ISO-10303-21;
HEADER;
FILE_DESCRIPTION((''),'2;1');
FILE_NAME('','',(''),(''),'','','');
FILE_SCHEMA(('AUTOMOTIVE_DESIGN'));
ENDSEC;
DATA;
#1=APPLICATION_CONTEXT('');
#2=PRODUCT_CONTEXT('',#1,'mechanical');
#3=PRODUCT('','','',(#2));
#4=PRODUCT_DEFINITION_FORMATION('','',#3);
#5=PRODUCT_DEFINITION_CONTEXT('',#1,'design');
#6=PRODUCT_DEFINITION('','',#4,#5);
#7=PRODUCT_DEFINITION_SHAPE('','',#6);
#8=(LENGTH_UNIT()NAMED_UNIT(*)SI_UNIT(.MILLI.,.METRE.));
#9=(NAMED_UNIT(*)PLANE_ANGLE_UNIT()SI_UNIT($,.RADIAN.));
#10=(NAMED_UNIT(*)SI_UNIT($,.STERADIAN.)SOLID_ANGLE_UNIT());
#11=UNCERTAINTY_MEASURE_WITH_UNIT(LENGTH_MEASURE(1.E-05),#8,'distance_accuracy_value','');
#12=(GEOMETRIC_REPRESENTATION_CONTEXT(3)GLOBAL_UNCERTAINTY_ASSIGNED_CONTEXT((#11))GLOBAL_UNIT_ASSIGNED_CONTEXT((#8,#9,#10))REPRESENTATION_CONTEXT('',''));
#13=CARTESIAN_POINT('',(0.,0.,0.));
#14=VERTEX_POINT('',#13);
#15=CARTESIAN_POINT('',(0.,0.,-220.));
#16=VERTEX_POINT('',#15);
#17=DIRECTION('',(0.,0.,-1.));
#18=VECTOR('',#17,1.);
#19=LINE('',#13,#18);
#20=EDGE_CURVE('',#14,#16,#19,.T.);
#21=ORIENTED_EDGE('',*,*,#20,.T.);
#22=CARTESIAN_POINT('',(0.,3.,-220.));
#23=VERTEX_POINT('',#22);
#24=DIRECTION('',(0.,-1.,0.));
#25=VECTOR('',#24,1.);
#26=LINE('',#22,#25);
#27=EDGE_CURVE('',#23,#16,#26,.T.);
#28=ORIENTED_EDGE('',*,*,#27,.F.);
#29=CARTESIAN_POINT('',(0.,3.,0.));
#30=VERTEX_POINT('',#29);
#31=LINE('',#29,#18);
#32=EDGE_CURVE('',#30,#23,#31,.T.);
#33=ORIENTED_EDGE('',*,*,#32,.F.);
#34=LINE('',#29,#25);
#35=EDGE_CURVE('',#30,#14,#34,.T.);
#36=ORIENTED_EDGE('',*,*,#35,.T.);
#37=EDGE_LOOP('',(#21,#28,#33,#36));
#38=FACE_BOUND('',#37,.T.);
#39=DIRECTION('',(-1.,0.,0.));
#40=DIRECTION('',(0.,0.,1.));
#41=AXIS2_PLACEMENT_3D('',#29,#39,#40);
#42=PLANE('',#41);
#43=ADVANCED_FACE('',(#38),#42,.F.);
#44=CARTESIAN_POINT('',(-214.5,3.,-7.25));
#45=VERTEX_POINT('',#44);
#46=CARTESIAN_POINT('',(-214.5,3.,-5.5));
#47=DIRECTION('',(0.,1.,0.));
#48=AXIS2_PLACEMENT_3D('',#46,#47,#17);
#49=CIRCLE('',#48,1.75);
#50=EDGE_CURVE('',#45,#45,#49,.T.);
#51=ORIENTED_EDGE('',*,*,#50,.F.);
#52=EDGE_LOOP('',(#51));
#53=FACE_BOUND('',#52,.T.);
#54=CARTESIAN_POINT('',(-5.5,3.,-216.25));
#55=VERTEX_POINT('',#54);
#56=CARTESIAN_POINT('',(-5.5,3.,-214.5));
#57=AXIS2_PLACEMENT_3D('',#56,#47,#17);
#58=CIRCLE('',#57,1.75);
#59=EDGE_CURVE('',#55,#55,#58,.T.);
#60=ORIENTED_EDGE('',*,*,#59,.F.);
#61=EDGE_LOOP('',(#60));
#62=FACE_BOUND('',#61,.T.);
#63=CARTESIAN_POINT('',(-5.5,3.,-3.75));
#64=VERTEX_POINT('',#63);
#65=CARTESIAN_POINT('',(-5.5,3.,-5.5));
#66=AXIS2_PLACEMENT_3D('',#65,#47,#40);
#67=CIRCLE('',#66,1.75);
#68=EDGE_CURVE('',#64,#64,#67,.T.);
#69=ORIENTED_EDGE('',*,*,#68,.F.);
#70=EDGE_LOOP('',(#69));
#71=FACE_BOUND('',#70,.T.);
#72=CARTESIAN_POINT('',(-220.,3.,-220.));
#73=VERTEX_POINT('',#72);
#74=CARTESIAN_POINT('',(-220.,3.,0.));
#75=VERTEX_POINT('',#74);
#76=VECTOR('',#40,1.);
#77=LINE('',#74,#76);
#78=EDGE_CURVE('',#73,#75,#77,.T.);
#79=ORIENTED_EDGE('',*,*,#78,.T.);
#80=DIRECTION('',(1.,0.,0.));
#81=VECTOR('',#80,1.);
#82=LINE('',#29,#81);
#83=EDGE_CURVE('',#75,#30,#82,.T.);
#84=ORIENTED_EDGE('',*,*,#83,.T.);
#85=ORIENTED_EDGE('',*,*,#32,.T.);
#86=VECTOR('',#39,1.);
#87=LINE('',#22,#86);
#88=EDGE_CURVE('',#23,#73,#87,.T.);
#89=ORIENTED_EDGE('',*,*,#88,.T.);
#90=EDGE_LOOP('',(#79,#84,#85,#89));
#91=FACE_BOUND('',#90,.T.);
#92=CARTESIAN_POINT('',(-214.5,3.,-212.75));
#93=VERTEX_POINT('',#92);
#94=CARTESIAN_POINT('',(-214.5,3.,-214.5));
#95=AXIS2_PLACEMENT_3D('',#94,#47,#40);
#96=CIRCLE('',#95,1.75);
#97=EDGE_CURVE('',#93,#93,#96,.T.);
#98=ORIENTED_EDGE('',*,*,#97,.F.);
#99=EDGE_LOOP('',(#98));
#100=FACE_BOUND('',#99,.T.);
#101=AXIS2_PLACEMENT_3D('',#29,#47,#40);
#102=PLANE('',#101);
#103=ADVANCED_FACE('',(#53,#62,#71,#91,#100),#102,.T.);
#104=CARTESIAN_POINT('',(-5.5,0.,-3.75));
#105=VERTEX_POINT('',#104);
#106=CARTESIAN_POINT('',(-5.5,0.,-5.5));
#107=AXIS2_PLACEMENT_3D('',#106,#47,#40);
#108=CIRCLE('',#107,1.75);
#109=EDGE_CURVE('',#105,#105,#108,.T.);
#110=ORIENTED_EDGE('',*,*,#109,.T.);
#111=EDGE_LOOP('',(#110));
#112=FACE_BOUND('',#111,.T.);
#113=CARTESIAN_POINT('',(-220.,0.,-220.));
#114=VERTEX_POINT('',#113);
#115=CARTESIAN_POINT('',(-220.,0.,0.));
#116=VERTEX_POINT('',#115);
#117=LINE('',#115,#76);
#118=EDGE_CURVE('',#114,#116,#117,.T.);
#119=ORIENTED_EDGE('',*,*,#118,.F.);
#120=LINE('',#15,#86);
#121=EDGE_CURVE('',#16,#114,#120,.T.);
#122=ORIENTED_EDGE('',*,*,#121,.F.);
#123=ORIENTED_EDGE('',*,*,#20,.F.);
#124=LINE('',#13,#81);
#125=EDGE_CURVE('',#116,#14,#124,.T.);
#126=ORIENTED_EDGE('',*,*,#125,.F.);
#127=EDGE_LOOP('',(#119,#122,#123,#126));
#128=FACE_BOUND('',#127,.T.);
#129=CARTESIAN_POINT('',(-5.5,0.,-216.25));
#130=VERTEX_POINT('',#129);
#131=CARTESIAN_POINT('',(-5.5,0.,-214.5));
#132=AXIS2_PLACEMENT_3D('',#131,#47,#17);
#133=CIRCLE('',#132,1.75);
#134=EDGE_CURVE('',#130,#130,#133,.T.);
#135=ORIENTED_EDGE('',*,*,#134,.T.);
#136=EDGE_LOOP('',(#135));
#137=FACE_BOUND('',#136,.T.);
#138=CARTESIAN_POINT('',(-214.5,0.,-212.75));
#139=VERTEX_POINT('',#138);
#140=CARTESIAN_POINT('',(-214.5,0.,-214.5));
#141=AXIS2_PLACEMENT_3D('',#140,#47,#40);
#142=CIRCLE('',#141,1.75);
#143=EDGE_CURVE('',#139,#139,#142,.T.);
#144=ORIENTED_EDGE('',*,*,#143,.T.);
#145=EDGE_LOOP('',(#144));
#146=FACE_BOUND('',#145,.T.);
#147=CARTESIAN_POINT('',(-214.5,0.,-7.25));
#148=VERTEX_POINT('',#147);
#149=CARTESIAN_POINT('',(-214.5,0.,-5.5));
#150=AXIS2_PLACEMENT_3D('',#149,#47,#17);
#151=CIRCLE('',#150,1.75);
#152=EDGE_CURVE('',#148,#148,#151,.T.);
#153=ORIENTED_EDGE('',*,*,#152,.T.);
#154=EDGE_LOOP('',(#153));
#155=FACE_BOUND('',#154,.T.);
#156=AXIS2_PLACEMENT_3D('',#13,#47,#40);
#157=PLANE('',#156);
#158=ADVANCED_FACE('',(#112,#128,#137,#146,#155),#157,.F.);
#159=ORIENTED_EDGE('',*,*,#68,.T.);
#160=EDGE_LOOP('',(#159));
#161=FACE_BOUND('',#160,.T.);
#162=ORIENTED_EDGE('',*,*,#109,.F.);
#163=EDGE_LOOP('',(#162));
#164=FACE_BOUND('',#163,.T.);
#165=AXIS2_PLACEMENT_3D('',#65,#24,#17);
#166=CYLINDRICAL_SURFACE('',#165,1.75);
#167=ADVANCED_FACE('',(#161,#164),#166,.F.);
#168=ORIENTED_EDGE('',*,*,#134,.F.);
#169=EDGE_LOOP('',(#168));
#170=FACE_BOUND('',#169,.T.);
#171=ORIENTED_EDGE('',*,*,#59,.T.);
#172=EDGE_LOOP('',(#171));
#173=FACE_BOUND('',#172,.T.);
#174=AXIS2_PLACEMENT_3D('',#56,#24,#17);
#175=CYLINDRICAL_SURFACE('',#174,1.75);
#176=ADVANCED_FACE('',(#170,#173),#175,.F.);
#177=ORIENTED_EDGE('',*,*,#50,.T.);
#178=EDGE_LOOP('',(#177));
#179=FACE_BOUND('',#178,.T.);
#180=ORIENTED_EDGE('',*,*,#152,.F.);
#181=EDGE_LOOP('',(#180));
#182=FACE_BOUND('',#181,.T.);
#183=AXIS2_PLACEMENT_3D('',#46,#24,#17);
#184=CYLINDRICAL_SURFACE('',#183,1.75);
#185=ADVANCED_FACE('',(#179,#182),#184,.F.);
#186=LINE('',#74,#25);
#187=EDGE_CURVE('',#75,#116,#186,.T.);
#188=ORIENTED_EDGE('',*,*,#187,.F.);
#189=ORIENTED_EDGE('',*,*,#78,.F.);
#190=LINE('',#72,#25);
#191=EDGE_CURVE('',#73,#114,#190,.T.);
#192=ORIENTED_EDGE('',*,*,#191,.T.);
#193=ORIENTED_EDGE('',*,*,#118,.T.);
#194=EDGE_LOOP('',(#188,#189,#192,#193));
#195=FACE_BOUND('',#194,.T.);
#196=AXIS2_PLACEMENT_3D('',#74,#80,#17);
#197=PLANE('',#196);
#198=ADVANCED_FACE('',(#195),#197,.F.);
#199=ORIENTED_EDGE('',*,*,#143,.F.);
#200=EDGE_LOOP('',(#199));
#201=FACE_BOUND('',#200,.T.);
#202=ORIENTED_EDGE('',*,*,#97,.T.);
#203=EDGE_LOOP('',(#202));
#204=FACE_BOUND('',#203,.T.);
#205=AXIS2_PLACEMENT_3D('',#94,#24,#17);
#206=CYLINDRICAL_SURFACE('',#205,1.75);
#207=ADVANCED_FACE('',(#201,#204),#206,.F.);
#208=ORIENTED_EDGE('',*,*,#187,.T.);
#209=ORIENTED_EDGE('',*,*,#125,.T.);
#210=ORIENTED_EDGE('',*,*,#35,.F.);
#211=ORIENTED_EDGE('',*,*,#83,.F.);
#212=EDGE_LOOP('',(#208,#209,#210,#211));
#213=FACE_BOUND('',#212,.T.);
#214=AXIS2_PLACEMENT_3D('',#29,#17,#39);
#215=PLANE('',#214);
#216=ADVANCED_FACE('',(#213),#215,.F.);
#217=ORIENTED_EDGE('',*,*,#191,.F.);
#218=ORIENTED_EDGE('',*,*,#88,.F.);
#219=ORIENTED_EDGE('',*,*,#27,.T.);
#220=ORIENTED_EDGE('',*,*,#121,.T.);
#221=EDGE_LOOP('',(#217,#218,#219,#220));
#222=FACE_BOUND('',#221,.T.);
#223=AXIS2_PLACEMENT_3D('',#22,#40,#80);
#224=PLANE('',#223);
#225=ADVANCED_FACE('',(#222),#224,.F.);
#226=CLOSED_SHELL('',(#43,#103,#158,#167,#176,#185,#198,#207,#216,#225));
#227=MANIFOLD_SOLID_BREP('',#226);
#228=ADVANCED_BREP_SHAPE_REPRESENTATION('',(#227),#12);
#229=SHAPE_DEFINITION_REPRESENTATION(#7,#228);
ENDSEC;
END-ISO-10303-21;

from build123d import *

# Parameters (mm, degrees)
SKETCH1_W           = 220
SKETCH1_H           = 220
SKETCH1_R           = 1.75
BOSS_EXTRUDE1_DEPTH = 3


with BuildPart() as part:
    # Sketch1 → Boss-Extrude1 (new body)
    with BuildSketch(Plane(origin=(0, 0, 0), x_dir=(1, 0, 0), z_dir=(0, 1, 0))):
        with Locations((-110, 110)):
            Rectangle(SKETCH1_W, SKETCH1_H)
        with Locations(Location((-214.5, 214.5, 0), (0, 0, 270))):
            Circle(SKETCH1_R, mode=Mode.SUBTRACT)
        with Locations(Location((-5.5, 214.5, 0), (0, 0, 90))):
            Circle(SKETCH1_R, mode=Mode.SUBTRACT)
        with Locations(Location((-5.5, 5.5, 0), (0, 0, 270))):
            Circle(SKETCH1_R, mode=Mode.SUBTRACT)
        with Locations(Location((-214.5, 5.5, 0), (0, 0, 90))):
            Circle(SKETCH1_R, mode=Mode.SUBTRACT)
    extrude(amount=BOSS_EXTRUDE1_DEPTH)


solid = part.part
